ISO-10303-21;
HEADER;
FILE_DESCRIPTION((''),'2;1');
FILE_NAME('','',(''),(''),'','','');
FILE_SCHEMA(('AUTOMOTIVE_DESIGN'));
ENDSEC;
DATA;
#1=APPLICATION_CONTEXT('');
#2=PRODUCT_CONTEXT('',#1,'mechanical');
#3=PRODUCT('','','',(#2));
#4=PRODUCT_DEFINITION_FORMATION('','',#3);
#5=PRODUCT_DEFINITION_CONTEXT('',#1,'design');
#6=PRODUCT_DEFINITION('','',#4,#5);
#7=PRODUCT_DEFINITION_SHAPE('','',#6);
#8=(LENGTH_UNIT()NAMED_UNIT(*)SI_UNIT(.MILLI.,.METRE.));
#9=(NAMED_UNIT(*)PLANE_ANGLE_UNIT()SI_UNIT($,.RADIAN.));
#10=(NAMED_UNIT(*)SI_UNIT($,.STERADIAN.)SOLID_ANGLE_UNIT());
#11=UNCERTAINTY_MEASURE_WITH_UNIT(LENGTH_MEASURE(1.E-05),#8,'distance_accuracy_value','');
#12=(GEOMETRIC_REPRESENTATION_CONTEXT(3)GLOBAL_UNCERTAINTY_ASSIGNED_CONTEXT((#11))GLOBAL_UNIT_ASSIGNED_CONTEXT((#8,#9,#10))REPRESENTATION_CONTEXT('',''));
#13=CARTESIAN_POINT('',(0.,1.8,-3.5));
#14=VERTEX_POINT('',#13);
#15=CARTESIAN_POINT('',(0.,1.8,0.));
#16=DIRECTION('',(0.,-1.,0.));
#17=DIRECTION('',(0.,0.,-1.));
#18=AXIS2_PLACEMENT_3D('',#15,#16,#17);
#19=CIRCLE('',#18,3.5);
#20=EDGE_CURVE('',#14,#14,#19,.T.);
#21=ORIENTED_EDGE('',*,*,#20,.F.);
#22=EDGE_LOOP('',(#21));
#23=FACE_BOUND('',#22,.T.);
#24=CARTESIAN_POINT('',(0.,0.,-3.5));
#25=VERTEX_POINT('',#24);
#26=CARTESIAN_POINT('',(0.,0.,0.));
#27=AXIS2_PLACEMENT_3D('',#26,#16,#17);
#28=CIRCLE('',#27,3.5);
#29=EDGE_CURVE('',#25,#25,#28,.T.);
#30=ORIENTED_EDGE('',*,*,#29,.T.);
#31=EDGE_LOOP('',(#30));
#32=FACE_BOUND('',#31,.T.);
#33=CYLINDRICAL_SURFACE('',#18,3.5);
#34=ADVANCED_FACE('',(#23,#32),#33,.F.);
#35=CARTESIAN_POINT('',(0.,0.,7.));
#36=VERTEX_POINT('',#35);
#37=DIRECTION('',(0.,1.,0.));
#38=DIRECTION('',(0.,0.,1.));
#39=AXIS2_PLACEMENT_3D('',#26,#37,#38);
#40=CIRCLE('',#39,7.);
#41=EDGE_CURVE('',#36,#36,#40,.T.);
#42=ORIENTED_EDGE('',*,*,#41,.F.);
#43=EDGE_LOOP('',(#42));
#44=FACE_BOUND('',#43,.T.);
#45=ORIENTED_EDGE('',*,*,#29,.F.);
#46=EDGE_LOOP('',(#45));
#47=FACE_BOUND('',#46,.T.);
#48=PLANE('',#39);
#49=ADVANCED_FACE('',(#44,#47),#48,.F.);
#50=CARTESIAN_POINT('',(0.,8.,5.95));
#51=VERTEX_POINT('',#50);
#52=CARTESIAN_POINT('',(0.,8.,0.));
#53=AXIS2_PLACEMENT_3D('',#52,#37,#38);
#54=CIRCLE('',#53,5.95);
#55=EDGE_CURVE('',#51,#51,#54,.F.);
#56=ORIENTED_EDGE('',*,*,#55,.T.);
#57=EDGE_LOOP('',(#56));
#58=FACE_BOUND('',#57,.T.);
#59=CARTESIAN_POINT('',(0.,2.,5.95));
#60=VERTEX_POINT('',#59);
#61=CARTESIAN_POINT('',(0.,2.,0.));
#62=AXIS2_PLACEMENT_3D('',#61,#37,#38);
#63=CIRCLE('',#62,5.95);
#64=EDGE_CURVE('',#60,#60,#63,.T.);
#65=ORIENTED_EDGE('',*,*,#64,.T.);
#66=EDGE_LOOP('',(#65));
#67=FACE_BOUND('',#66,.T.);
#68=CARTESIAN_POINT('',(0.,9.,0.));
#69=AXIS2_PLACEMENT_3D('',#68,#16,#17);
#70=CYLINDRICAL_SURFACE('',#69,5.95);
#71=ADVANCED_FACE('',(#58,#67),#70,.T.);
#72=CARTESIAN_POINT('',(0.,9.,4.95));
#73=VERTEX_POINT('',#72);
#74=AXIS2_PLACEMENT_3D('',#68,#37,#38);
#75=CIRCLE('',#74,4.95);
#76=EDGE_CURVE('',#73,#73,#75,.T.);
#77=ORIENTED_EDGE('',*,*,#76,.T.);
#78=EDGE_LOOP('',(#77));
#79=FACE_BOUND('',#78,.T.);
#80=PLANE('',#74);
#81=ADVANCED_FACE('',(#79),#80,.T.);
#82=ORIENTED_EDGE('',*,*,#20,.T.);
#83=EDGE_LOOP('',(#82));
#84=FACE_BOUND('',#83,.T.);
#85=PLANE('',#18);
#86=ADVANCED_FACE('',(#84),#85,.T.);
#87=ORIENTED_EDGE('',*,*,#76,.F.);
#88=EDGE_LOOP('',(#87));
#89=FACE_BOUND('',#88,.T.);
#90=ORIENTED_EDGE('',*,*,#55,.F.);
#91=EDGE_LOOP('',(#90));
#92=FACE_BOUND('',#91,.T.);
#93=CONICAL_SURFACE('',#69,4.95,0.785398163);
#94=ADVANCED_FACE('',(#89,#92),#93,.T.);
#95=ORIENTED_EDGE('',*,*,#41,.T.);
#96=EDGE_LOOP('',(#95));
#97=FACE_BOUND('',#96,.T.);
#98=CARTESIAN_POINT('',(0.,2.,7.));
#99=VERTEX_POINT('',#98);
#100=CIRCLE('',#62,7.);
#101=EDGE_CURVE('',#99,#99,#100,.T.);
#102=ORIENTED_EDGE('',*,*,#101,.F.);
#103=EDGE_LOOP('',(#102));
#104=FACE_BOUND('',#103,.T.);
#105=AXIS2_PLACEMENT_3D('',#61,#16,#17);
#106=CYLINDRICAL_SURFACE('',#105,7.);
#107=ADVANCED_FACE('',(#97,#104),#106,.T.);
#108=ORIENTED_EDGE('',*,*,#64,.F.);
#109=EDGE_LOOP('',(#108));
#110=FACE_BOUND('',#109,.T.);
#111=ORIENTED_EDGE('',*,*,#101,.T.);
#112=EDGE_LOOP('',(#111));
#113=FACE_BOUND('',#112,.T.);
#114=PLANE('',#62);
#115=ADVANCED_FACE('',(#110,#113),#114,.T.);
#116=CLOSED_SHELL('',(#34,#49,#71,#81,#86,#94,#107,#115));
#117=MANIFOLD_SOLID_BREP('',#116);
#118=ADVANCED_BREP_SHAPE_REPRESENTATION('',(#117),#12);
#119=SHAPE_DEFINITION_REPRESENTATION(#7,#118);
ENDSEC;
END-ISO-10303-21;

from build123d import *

# Parameters (mm, degrees)
SKETCH1_R           = 7
BOSS_EXTRUDE1_DEPTH = 2
SKETCH2_R           = 5.95
BOSS_EXTRUDE2_DEPTH = 7
SKETCH3_R           = 3.5
CUT_EXTRUDE1_DEPTH  = 1.8
CHAMFER1_SIZE       = 1


with BuildPart() as part:
    # Sketch1 → Boss-Extrude1 (new body)
    with BuildSketch(Plane(origin=(0, 0, 0), x_dir=(1, 0, 0), z_dir=(0, 1, 0))):
        with Locations(Location((0, 0, 0), (0, 0, 270))):
            Circle(SKETCH1_R)
    extrude(amount=BOSS_EXTRUDE1_DEPTH)

    # Sketch2 → Boss-Extrude2 (add)
    with BuildSketch(Plane(origin=(0, 2, 0), x_dir=(1, 0, 0), z_dir=(0, 1, 0))):
        with Locations(Location((0, 0, 0), (0, 0, 270))):
            Circle(SKETCH2_R)
    extrude(amount=BOSS_EXTRUDE2_DEPTH)

    # Sketch3 → Cut-Extrude1 (cut)
    with BuildSketch(Plane.XZ):
        with Locations(Location((0, 0, 0), (0, 0, 270))):
            Circle(SKETCH3_R)
    extrude(amount=-CUT_EXTRUDE1_DEPTH, mode=Mode.SUBTRACT)

    # Chamfer1
    chamfer1_edges = [part.edges().sort_by_distance(p)[0] for p in [
        (0, 9, -5.95),
    ]]
    chamfer(chamfer1_edges, length=CHAMFER1_SIZE)


solid = part.part
